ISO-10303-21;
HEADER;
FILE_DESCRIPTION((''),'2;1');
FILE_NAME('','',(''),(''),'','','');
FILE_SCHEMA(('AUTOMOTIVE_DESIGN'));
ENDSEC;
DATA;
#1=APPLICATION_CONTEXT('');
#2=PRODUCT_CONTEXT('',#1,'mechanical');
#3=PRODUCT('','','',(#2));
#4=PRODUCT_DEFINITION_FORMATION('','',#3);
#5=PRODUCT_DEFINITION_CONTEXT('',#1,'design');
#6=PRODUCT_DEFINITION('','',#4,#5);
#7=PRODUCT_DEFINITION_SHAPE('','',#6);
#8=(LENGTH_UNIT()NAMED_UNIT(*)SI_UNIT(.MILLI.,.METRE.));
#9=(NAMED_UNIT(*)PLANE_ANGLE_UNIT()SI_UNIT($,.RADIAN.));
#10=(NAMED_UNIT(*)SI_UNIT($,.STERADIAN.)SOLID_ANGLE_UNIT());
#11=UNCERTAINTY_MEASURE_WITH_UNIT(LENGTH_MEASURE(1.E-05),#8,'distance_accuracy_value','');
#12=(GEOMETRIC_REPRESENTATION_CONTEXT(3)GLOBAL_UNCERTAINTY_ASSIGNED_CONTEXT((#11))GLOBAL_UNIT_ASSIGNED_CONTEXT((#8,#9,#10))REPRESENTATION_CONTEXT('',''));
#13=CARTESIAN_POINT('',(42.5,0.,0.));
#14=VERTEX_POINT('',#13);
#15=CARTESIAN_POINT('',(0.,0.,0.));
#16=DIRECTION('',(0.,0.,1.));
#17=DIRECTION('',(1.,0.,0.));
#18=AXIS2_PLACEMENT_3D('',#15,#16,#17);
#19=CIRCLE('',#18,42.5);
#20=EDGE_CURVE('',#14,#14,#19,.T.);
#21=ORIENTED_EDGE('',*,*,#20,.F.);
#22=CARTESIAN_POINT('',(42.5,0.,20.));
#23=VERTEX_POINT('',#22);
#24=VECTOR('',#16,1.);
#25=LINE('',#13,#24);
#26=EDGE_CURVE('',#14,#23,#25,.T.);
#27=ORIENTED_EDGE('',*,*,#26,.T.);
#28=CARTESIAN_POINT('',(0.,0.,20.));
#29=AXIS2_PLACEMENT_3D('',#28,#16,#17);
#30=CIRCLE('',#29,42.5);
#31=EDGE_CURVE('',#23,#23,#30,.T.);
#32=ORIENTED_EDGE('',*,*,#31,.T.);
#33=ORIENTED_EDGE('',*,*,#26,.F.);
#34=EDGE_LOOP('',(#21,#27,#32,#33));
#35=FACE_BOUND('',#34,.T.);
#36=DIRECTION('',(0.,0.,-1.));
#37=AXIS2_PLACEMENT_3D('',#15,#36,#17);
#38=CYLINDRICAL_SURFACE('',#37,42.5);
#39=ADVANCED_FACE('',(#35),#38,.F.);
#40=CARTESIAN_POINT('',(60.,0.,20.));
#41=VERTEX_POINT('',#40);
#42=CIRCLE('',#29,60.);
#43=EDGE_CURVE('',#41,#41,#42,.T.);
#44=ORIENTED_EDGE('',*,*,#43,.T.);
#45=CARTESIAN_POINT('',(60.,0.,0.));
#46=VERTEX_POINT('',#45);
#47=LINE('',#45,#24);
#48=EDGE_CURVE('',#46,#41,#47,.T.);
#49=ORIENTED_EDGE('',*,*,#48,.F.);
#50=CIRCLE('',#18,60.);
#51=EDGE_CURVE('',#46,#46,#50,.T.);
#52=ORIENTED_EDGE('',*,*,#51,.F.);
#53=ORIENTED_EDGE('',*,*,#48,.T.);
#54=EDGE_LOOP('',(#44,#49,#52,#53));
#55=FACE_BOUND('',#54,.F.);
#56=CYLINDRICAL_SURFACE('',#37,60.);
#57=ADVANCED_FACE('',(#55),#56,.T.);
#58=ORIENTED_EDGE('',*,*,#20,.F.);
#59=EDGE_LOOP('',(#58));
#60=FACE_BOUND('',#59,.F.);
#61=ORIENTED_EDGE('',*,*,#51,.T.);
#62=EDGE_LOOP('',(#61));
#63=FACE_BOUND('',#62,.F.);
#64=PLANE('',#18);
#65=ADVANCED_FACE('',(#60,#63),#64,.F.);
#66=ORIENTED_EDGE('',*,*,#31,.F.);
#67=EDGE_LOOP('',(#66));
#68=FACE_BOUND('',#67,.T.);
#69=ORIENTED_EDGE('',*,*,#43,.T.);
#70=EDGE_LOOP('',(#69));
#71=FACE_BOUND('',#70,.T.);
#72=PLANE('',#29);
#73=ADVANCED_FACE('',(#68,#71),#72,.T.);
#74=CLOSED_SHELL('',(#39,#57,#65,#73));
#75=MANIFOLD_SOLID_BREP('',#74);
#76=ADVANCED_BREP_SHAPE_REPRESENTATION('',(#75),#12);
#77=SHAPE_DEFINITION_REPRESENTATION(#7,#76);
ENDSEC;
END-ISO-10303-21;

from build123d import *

# Parameters (mm, degrees)
SKETCH_R   = 60
SKETCH_R_2 = 42.5
PAD_DEPTH  = 20


with BuildPart() as part:
    # Sketch → Pad (new body)
    with BuildSketch(Plane.XY):
        Circle(SKETCH_R)
        Circle(SKETCH_R_2, mode=Mode.SUBTRACT)
    extrude(amount=PAD_DEPTH)


solid = part.part
